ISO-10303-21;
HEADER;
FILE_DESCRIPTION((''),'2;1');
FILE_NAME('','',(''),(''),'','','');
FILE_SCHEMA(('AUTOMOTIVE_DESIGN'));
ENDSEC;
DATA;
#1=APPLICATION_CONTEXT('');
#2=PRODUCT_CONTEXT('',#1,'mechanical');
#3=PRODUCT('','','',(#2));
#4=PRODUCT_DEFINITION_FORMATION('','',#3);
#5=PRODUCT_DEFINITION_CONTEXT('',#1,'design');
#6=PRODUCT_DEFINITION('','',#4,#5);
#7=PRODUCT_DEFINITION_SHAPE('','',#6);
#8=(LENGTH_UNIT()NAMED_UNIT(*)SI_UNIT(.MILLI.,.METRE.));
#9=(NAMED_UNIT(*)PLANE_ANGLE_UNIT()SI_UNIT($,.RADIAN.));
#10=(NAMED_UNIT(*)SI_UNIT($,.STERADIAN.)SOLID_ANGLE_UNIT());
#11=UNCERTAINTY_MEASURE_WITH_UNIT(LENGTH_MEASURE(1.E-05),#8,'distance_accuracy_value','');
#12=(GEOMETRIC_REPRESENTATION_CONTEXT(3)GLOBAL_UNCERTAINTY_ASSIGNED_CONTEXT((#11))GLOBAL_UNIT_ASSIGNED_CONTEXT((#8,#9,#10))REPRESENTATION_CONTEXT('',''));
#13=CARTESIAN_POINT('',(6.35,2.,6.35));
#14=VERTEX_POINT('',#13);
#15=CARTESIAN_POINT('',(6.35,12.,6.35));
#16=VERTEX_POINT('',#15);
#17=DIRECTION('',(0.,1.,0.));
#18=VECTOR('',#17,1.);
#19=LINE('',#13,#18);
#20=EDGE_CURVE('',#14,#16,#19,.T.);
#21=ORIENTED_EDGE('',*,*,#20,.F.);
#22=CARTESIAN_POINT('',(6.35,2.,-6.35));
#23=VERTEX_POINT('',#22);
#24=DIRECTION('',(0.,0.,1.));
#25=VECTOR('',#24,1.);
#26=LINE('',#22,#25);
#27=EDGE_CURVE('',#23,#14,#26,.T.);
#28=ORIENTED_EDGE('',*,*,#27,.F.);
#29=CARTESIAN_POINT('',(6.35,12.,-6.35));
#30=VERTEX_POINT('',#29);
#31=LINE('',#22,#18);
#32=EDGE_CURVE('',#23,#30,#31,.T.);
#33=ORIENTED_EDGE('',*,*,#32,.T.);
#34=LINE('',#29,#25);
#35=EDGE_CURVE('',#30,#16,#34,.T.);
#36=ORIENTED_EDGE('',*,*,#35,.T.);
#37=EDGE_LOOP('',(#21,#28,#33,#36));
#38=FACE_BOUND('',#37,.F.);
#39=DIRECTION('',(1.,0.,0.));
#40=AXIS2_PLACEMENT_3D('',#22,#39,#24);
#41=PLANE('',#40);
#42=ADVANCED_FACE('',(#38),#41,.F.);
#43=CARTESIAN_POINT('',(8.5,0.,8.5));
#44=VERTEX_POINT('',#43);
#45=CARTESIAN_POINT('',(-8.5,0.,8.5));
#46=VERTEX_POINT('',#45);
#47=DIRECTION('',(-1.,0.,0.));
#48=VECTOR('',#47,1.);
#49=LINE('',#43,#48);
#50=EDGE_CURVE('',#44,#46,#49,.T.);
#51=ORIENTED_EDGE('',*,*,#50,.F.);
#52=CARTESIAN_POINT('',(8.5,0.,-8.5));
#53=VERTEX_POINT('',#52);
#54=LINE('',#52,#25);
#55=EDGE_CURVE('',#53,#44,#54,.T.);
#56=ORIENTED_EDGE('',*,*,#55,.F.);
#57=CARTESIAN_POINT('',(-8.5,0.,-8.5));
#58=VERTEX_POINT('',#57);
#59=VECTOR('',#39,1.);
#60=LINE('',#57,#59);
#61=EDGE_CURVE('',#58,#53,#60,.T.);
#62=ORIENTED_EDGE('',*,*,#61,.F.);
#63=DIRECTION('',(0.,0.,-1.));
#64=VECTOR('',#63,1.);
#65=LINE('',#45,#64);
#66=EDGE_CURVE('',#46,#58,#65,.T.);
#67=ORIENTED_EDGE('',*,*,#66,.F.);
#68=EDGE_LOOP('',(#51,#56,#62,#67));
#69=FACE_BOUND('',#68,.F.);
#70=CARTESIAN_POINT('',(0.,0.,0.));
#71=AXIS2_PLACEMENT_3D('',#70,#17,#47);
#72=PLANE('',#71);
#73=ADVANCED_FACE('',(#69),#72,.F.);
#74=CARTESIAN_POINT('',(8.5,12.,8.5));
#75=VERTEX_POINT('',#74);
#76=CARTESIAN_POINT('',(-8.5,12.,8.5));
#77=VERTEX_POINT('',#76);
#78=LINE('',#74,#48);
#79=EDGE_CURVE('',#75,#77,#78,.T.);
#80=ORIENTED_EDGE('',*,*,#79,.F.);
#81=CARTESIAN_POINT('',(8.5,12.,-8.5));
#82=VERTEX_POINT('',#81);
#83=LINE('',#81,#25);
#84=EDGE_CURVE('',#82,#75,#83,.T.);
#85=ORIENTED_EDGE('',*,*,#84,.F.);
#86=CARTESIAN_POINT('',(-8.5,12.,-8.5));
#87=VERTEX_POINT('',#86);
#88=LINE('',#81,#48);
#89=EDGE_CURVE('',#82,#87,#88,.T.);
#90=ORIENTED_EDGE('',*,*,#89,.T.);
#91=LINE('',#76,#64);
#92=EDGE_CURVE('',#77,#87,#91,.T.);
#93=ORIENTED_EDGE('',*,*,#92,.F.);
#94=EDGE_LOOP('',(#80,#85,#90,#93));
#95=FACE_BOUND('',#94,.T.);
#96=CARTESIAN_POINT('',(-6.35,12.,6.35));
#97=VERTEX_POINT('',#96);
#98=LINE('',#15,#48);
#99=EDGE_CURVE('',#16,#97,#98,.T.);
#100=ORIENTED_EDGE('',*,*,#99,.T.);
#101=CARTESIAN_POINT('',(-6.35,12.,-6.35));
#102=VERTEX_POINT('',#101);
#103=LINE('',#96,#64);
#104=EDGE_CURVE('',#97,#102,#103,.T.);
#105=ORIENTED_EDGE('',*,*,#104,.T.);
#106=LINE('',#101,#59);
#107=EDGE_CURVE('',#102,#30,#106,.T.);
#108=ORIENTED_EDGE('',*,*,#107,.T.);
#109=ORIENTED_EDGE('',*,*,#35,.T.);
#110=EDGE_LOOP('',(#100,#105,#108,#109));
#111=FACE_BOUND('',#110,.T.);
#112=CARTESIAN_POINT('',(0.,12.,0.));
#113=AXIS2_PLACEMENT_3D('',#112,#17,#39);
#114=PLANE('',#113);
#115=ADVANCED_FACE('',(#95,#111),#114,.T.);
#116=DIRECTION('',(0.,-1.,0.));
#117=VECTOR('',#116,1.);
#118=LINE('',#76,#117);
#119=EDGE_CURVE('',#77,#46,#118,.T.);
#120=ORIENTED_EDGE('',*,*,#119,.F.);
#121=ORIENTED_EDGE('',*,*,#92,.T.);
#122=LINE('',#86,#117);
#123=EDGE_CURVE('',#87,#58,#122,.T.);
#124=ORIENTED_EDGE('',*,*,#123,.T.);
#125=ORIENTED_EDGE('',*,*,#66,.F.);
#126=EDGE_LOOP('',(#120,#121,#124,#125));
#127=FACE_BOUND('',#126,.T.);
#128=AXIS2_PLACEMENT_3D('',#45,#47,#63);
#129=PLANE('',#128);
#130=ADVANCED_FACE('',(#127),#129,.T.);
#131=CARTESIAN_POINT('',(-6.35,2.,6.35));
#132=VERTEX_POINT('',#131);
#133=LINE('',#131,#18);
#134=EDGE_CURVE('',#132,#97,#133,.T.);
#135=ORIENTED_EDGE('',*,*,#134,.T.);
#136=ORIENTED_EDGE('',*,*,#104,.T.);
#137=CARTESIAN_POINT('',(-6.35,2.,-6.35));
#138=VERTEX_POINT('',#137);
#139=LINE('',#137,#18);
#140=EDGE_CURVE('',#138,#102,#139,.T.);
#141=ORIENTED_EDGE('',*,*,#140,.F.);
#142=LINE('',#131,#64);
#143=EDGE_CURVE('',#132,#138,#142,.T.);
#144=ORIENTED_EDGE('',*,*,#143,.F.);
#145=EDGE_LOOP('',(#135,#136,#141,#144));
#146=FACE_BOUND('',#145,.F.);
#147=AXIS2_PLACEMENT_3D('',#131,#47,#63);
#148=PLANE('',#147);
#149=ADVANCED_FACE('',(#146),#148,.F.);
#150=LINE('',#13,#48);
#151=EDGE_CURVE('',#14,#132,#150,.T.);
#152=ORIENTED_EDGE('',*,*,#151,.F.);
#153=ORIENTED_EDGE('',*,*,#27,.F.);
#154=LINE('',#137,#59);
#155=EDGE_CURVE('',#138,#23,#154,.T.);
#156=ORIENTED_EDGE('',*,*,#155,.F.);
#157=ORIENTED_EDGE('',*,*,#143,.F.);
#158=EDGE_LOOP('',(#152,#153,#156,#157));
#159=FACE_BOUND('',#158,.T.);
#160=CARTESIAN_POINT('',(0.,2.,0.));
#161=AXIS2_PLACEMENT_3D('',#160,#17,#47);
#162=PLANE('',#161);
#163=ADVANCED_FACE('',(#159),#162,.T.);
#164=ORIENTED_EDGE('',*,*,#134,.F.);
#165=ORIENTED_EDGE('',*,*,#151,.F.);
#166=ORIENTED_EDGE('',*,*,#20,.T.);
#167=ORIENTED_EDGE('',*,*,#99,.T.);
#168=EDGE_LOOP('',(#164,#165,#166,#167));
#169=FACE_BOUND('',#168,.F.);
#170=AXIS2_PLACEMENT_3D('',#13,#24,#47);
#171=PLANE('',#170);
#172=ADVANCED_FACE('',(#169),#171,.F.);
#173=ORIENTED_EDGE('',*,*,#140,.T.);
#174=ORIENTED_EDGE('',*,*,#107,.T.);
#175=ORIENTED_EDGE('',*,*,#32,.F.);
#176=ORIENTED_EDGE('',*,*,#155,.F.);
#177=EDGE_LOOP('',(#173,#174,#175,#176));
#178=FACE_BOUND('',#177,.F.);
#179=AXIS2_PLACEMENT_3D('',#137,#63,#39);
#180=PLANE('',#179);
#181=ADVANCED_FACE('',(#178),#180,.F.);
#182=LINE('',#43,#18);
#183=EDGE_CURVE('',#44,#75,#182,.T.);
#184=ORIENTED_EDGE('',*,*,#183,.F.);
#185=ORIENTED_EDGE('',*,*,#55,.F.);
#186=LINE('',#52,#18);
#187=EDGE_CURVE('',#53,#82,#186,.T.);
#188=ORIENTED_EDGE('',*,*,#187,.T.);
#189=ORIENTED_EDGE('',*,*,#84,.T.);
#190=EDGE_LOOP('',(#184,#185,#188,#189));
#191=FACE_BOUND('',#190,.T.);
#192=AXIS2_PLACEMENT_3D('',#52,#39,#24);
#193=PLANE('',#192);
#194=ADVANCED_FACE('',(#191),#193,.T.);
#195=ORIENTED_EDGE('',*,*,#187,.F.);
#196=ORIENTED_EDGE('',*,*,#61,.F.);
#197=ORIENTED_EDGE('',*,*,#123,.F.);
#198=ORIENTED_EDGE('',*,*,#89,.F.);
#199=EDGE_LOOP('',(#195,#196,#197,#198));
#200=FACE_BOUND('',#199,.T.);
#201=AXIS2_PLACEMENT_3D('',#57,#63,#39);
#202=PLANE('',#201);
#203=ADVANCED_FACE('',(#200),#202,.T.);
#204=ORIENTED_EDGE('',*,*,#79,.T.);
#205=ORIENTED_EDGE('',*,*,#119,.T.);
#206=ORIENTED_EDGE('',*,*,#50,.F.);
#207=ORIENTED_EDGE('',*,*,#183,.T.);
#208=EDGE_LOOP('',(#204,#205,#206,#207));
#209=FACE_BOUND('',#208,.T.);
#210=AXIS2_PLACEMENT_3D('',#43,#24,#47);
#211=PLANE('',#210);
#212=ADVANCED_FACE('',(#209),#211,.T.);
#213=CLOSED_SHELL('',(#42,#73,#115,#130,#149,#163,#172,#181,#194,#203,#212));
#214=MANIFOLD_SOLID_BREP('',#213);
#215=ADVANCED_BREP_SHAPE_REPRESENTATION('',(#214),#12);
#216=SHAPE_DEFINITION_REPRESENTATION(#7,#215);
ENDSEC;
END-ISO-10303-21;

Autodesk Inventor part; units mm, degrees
ref_plane "YZ Plane" through (0, 0, 0) normal (1, 0, 0) x (0, 1, 0)
ref_plane "XZ Plane" through (0, 0, 0) normal (0, 1, 0) x (-1, 0, 0)
ref_plane "XY Plane" through (0, 0, 0) normal (0, 0, 1) x (1, 0, 0)
sketch "Sketch1" plane through (0, 0, 0) normal (0, 1, 0) x (-1, 0, 0)
  line L0 (-8.5, 8.5) -> (8.5, 8.5)
  line L1 (8.5, 8.5) -> (8.5, -8.5)
  line L2 (8.5, -8.5) -> (-8.5, -8.5)
  line L3 (-8.5, -8.5) -> (-8.5, 8.5)
  line L4 (-8.5, 8.5) -> (8.5, -8.5) construction
  line L5 (8.5, 8.5) -> (-8.5, -8.5) construction
  point P0 (0, 0)
  dimension "d0" = 17
  dimension "d1" = 17
extrude "Extrusion1" add sketch "Sketch1" along normal blind 2
sketch "Sketch2" plane through (0, 2, 0) normal (0, 1, 0) x (1, 0, 0)
  line L0 (8.5, 8.5) -> (-8.5, 8.5) projected
  line L1 (8.5, -8.5) -> (-8.5, -8.5)
  line L2 (-8.5, -8.5) -> (-8.5, 8.5)
  line L3 (-8.5, 8.5) -> (8.5, 8.5)
  line L4 (8.5, 8.5) -> (8.5, -8.5)
  line L5 (8.5, -8.5) -> (-8.5, 8.5) construction
  line L6 (-8.5, -8.5) -> (8.5, 8.5) construction
  line L7 (6.35, -6.35) -> (-6.35, -6.35)
  line L8 (-6.35, -6.35) -> (-6.35, 6.35)
  line L9 (-6.35, 6.35) -> (6.35, 6.35)
  line L10 (6.35, 6.35) -> (6.35, -6.35)
  line L11 (6.35, -6.35) -> (-6.35, 6.35) construction
  line L12 (-6.35, -6.35) -> (6.35, 6.35) construction
  point P0 (0, 0)
  dimension "d4" = 12.7
extrude "Extrusion2" add sketch "Sketch2" along normal blind 10
properties part number "bar_protector" material "Rubber, Butyl"
